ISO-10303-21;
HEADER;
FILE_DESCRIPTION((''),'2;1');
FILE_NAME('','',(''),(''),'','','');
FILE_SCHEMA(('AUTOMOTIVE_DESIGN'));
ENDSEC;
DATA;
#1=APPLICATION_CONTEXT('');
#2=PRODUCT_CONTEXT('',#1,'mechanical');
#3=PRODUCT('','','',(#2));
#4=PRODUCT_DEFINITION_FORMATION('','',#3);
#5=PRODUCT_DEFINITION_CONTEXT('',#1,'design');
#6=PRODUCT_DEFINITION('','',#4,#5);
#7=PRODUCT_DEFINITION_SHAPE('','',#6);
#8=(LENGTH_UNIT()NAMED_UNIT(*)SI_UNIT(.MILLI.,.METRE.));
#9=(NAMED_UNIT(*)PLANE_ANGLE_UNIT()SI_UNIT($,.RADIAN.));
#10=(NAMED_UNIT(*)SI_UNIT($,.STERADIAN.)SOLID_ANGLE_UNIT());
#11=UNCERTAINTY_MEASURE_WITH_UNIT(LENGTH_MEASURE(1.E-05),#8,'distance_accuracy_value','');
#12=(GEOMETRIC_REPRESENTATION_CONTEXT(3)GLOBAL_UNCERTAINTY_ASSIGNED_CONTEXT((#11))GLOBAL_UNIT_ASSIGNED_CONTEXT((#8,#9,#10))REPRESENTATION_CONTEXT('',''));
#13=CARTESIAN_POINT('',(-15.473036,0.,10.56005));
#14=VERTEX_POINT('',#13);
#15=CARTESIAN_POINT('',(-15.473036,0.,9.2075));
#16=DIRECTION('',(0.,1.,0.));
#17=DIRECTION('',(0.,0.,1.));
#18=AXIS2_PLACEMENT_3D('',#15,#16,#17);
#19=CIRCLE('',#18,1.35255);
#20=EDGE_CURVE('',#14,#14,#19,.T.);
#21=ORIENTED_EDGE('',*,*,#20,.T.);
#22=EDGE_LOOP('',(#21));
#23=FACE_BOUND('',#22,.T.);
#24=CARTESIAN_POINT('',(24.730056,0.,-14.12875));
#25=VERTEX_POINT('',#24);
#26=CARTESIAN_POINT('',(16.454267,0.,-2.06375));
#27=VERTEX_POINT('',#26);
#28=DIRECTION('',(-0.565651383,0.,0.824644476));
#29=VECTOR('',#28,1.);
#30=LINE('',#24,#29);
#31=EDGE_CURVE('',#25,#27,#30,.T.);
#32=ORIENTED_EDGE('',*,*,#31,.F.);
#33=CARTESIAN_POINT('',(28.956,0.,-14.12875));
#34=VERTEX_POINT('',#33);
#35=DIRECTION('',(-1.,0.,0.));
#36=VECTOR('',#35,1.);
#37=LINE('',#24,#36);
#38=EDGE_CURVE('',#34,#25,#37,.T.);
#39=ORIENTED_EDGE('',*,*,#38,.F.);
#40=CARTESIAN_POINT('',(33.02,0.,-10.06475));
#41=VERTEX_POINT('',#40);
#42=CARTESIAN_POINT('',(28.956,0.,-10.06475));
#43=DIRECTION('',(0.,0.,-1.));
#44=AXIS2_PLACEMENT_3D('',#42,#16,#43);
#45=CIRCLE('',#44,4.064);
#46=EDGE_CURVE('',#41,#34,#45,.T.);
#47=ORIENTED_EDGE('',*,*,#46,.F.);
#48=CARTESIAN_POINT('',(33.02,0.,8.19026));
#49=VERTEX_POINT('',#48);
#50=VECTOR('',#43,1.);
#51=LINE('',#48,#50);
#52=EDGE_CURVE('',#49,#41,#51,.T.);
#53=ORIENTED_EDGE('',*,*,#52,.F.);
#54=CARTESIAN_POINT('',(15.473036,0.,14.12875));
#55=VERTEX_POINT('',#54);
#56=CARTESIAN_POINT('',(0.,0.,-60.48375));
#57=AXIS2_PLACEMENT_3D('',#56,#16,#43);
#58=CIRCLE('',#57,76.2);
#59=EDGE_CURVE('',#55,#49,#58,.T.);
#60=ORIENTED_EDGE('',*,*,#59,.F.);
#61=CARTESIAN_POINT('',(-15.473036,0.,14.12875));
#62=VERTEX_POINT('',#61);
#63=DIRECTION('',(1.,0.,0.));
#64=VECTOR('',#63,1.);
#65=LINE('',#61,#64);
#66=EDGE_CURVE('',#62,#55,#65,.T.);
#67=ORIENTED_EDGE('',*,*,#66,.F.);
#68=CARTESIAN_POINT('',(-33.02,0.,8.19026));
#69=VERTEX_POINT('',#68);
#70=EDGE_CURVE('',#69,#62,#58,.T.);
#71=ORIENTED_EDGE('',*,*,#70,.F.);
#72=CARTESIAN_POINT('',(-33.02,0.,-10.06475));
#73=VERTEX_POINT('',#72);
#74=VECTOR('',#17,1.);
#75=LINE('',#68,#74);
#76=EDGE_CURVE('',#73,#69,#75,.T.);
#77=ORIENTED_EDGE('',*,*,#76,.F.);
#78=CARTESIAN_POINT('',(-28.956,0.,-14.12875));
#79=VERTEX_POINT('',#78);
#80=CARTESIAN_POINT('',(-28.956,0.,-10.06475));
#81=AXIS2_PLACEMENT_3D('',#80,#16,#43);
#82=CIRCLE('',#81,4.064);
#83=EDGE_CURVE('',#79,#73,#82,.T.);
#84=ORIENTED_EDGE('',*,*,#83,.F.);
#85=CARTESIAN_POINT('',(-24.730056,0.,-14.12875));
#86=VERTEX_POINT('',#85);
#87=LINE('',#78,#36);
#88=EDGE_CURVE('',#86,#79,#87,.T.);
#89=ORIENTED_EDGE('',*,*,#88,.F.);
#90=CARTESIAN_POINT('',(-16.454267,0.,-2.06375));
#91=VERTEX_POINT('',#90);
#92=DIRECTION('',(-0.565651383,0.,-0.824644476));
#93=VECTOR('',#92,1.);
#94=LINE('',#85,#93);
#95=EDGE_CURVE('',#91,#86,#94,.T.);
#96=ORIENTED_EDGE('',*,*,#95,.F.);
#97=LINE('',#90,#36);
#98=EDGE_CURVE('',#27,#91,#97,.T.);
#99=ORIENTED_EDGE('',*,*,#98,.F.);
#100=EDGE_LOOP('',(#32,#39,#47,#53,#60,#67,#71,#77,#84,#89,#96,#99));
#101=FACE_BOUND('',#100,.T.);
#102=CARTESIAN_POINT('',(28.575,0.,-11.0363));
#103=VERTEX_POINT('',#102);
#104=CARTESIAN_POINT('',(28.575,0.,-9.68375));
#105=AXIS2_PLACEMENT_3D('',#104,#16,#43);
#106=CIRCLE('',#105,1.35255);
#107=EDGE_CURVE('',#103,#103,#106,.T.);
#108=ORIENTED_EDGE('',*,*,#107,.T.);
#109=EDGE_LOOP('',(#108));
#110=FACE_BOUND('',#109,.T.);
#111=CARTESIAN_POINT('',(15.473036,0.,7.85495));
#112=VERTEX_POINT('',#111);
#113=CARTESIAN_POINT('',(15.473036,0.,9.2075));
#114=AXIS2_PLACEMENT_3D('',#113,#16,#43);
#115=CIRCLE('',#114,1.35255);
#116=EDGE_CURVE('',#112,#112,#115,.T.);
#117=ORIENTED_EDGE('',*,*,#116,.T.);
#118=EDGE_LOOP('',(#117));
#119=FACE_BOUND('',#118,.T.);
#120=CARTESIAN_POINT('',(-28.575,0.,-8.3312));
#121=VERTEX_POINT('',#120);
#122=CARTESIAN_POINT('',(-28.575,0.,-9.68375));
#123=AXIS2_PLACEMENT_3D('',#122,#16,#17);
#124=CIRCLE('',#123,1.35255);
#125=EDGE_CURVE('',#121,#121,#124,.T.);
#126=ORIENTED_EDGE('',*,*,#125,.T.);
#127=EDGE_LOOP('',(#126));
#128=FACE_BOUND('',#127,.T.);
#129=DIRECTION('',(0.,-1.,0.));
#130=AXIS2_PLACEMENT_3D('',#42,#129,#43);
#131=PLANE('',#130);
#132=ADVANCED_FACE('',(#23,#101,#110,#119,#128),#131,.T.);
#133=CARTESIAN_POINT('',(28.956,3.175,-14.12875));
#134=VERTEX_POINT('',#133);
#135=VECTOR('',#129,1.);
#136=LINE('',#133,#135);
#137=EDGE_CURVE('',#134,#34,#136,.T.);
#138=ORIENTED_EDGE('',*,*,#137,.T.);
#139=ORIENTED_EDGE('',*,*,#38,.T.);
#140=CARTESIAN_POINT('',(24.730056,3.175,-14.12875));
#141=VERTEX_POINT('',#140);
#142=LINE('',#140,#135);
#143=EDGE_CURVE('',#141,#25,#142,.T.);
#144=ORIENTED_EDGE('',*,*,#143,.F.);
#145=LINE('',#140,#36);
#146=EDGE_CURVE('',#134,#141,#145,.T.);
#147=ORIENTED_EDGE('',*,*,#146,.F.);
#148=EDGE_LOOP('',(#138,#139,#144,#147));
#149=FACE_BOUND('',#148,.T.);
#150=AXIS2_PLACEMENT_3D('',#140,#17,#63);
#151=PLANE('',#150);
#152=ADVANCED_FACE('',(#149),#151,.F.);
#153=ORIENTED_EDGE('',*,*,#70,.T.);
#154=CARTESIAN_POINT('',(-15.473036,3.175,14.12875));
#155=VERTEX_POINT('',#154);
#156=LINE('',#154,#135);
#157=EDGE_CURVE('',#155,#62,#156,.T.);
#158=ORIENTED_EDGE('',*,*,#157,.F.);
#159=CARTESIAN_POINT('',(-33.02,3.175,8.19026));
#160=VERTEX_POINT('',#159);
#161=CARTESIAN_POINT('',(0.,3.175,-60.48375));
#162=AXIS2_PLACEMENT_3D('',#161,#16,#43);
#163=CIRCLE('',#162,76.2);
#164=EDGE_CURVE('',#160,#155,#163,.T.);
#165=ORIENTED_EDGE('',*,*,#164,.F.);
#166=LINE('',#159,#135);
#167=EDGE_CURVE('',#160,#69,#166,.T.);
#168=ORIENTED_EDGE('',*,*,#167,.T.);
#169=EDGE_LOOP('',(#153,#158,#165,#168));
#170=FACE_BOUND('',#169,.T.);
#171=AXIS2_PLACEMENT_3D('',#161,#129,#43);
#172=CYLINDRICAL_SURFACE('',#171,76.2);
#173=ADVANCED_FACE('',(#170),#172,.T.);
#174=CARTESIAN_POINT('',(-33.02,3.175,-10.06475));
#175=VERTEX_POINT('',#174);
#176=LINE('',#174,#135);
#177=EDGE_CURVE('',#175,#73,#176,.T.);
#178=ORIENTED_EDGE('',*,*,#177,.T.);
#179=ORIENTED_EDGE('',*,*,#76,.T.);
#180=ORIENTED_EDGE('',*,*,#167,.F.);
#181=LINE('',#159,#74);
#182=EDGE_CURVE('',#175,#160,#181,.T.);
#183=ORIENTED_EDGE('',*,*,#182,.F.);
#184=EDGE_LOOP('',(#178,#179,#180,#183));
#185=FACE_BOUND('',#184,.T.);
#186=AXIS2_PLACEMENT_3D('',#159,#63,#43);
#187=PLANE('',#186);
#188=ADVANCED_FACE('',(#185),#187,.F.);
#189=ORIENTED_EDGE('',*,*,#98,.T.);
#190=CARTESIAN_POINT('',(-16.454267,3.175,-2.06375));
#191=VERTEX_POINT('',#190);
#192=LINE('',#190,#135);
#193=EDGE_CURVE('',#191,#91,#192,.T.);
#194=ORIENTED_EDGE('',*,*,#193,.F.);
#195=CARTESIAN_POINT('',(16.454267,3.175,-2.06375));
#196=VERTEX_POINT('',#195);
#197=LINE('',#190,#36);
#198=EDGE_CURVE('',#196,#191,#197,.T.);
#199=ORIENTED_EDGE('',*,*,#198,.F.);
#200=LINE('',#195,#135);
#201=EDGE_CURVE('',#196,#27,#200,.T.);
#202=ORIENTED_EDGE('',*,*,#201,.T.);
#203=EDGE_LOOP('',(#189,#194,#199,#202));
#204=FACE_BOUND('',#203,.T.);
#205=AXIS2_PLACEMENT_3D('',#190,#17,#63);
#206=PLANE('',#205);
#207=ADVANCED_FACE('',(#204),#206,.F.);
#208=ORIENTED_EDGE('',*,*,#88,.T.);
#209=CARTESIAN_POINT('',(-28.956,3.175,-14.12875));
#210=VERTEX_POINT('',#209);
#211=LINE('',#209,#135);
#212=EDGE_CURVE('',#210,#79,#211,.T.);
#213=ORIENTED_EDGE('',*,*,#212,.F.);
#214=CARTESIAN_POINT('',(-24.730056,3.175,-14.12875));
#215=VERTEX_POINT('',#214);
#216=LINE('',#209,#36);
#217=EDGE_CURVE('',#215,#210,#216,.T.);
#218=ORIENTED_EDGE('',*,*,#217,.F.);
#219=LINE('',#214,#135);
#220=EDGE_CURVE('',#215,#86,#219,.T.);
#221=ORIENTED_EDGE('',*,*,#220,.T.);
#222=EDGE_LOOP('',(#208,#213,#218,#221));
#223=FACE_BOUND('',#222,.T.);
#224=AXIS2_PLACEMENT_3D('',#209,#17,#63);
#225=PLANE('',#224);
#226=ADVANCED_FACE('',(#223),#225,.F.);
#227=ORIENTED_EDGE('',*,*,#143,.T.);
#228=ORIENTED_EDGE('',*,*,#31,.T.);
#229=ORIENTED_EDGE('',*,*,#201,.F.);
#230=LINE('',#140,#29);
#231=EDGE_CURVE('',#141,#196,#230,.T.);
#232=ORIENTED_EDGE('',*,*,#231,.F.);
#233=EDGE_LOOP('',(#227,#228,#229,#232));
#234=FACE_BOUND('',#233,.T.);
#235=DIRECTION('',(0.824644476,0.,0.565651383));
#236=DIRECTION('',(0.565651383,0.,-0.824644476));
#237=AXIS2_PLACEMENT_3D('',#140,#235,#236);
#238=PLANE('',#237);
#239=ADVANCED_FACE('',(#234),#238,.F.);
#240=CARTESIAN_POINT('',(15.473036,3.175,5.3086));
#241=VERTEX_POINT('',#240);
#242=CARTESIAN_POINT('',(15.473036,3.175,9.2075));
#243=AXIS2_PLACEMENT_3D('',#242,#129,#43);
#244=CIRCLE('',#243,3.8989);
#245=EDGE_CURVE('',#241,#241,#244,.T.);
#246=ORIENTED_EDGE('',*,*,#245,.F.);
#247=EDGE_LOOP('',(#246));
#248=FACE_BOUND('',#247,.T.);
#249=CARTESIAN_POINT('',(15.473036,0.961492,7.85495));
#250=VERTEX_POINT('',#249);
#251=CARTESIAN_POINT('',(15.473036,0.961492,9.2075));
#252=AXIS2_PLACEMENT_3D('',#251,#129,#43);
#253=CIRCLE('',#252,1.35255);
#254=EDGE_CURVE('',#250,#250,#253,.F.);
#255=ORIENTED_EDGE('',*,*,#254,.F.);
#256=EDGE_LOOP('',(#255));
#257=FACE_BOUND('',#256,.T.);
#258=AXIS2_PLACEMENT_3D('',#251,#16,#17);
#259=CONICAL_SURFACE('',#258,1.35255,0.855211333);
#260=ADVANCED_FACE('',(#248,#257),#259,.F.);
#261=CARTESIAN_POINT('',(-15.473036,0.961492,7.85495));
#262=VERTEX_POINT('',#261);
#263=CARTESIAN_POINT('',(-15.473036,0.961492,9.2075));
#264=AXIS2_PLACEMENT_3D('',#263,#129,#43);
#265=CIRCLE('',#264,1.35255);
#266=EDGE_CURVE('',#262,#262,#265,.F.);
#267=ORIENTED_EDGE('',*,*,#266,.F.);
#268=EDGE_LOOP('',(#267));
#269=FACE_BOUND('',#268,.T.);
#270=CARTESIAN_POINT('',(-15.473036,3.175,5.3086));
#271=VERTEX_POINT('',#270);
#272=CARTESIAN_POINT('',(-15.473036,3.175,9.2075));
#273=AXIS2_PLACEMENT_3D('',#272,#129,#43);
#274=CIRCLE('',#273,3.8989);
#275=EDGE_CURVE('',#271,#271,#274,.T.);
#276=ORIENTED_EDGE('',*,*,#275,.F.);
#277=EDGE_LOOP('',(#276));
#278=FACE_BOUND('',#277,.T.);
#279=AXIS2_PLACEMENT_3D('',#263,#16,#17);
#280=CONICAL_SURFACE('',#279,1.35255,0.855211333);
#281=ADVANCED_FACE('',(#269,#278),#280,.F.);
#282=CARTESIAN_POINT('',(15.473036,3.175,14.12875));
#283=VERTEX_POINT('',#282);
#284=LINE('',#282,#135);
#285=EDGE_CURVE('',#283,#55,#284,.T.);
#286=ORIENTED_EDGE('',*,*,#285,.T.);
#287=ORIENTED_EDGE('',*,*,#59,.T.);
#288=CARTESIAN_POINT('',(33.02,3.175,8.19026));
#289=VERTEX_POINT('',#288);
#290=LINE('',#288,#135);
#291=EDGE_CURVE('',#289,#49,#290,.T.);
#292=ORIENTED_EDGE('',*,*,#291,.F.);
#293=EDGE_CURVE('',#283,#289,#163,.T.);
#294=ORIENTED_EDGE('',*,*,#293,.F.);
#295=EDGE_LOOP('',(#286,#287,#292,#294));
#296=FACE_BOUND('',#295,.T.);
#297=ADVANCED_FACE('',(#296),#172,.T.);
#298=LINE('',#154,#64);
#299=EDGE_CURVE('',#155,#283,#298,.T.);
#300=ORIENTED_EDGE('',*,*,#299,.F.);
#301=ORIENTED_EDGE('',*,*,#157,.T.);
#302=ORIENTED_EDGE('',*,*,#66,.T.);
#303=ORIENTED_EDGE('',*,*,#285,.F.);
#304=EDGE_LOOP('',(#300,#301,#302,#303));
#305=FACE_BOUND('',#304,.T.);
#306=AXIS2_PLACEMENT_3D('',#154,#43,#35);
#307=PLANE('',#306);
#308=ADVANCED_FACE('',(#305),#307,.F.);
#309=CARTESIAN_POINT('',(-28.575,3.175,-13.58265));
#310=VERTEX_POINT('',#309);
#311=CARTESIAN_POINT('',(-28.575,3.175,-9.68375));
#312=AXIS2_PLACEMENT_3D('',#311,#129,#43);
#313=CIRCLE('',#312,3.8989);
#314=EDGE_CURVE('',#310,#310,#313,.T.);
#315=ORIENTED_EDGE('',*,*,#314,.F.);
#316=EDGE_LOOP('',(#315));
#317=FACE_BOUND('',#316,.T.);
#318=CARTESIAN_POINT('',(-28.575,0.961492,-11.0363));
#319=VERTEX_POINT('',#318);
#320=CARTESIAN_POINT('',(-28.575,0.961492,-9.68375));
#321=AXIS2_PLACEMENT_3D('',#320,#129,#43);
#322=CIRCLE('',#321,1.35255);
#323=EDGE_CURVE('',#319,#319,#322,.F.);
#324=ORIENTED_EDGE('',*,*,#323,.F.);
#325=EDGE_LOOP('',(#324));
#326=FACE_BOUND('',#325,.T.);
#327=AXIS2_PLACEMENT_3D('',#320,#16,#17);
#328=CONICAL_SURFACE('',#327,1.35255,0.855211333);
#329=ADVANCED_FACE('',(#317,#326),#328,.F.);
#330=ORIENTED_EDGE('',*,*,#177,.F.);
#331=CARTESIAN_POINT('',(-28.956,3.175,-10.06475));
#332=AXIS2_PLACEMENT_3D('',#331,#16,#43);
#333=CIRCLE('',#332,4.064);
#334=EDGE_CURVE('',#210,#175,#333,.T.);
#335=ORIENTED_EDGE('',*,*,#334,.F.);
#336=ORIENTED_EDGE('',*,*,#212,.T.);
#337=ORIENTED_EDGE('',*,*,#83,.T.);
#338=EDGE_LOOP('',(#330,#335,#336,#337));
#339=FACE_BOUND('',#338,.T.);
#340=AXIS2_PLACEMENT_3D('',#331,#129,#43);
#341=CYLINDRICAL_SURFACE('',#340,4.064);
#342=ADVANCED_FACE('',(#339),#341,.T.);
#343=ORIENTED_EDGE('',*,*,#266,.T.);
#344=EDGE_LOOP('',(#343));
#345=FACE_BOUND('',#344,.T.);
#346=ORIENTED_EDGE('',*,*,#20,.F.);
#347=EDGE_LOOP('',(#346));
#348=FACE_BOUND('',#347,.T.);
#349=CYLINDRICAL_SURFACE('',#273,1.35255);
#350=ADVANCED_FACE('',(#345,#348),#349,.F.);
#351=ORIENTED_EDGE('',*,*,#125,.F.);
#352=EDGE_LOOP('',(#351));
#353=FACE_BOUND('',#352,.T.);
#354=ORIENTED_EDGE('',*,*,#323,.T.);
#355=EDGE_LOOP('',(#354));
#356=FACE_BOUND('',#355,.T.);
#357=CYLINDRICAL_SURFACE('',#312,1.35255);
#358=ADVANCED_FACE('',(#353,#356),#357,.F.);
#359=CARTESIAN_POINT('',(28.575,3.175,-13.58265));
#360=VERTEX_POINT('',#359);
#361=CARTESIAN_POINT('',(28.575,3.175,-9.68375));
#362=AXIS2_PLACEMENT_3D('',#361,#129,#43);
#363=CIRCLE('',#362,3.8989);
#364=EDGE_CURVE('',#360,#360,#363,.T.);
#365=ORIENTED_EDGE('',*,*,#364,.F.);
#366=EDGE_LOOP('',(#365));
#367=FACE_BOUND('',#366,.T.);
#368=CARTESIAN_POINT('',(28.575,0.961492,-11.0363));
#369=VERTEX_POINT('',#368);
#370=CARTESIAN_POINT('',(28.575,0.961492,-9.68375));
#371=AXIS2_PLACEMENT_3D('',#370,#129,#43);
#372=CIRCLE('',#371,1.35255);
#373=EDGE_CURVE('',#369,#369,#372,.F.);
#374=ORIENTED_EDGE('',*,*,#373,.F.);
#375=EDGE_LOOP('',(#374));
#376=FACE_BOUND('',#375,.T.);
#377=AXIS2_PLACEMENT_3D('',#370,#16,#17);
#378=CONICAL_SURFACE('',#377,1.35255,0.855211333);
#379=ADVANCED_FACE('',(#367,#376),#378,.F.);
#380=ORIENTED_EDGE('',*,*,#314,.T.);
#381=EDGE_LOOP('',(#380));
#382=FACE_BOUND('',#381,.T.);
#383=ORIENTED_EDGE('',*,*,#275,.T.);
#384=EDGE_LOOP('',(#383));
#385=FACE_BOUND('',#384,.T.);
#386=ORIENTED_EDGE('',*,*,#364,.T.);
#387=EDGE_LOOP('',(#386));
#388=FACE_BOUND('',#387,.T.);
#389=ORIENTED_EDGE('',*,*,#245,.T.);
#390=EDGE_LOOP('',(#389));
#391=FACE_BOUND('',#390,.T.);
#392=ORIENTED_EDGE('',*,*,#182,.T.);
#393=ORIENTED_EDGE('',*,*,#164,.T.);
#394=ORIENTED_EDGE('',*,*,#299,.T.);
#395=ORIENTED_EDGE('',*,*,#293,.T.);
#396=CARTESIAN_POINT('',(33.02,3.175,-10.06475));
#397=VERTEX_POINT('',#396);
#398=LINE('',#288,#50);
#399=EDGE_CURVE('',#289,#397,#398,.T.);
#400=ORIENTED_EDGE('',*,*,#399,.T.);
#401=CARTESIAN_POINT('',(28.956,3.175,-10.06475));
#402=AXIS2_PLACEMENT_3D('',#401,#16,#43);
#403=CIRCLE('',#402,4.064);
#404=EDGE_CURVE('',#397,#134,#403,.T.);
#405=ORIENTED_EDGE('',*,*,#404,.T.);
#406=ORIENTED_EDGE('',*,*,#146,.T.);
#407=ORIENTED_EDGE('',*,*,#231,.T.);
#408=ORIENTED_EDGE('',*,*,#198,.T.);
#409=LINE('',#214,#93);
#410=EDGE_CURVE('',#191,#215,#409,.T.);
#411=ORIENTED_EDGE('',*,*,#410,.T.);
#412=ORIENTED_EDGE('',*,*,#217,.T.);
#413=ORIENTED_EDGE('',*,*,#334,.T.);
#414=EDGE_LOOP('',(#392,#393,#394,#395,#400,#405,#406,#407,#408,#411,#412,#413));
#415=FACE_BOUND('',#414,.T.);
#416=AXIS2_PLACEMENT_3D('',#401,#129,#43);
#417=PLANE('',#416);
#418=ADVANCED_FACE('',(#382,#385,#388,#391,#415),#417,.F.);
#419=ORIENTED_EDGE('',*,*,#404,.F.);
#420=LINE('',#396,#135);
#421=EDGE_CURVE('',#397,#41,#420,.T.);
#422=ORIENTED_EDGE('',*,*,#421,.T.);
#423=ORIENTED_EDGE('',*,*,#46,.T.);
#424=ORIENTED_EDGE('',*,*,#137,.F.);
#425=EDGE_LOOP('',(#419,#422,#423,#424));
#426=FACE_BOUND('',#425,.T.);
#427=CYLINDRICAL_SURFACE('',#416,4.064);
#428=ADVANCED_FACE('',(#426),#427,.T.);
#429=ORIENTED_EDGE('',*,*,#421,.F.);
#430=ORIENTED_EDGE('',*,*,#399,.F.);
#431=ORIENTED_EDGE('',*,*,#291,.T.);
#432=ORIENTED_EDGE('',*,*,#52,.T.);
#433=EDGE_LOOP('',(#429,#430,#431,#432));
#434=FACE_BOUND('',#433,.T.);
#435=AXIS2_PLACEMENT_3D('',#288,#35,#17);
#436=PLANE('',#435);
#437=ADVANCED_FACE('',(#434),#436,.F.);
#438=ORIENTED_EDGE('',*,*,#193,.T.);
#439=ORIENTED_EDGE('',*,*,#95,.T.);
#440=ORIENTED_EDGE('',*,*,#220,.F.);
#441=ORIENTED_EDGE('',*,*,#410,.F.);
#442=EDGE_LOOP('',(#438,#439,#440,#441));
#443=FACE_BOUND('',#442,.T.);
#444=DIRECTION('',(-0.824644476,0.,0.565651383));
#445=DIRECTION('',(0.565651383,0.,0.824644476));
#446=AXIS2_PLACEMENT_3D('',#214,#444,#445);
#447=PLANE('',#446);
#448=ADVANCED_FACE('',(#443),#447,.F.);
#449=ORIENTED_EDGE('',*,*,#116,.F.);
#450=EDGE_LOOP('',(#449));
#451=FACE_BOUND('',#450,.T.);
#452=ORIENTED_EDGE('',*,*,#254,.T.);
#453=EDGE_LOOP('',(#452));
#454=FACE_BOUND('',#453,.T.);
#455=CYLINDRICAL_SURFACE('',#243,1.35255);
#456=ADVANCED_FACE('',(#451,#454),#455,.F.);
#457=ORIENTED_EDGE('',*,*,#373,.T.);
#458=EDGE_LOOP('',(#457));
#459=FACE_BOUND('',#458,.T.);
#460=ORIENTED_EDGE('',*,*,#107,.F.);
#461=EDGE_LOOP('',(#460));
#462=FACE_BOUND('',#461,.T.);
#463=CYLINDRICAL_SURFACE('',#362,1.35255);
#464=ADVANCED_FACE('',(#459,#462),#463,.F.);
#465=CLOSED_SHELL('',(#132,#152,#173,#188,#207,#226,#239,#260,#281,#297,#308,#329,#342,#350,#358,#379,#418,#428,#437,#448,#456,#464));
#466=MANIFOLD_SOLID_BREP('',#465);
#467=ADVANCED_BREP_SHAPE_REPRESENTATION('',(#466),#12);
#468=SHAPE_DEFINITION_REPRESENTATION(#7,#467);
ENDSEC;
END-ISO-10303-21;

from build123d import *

# Parameters (mm, degrees)
SKETCH1_R           = 1.35255
BOSS_EXTRUDE1_DEPTH = 3.175
CHAMFER2_SIZE       = 2.54635
CHAMFER2_SIZE2      = 2.213508285


with BuildPart() as part:
    # Sketch1 → Boss-Extrude1 (new body)
    with BuildSketch(Plane(origin=(0, 0, 0), x_dir=(1, 0, 0), z_dir=(0, 1, 0))):
        with BuildLine():
            Line((-24.73005605, 14.12875), (-16.454266742, 2.06375))
            Line((-16.454266742, 2.06375), (16.454266742, 2.06375))
            Line((16.454266742, 2.06375), (24.73005605, 14.12875))
            Line((24.73005605, 14.12875), (28.956, 14.12875))
            ThreePointArc((28.956, 14.12875), (31.829681959, 12.938431959), (33.02, 10.06475))
            Line((33.02, 10.06475), (33.02, -8.19025964))
            ThreePointArc((33.02, -8.19025964), (24.427649347, -11.694709026), (15.473036022, -14.12875))
            Line((15.473036022, -14.12875), (-15.473036022, -14.12875))
            ThreePointArc((-15.473036022, -14.12875), (-24.427649347, -11.694709026), (-33.02, -8.19025964))
            Line((-33.02, -8.19025964), (-33.02, 10.06475))
            ThreePointArc((-33.02, 10.06475), (-31.829681959, 12.938431959), (-28.956, 14.12875))
            Line((-28.956, 14.12875), (-24.73005605, 14.12875))
        make_face()
        with Locations((-28.575, 9.68375)):
            Circle(SKETCH1_R, mode=Mode.SUBTRACT)
        with Locations((-15.473036022, -9.2075)):
            Circle(SKETCH1_R, mode=Mode.SUBTRACT)
        with Locations((15.473036022, -9.2075)):
            Circle(SKETCH1_R, mode=Mode.SUBTRACT)
        with Locations((28.575, 9.68375)):
            Circle(SKETCH1_R, mode=Mode.SUBTRACT)
    extrude(amount=BOSS_EXTRUDE1_DEPTH)

    # Chamfer2
    chamfer2_edges = [part.edges().sort_by_distance(p)[0] for p in [
        (-16.825586022, 3.175, 9.2075),
        (-29.92755, 3.175, -9.68375),
        (14.120486022, 3.175, 9.2075),
        (27.22245, 3.175, -9.68375),
    ]]
    chamfer2_side = [part.faces().sort_by_distance(p)[0] for p in [
        (0, 3.175, 2.574836874),
    ]]
    chamfer(chamfer2_edges, length=CHAMFER2_SIZE, length2=CHAMFER2_SIZE2, reference=chamfer2_side[0])


solid = part.part
